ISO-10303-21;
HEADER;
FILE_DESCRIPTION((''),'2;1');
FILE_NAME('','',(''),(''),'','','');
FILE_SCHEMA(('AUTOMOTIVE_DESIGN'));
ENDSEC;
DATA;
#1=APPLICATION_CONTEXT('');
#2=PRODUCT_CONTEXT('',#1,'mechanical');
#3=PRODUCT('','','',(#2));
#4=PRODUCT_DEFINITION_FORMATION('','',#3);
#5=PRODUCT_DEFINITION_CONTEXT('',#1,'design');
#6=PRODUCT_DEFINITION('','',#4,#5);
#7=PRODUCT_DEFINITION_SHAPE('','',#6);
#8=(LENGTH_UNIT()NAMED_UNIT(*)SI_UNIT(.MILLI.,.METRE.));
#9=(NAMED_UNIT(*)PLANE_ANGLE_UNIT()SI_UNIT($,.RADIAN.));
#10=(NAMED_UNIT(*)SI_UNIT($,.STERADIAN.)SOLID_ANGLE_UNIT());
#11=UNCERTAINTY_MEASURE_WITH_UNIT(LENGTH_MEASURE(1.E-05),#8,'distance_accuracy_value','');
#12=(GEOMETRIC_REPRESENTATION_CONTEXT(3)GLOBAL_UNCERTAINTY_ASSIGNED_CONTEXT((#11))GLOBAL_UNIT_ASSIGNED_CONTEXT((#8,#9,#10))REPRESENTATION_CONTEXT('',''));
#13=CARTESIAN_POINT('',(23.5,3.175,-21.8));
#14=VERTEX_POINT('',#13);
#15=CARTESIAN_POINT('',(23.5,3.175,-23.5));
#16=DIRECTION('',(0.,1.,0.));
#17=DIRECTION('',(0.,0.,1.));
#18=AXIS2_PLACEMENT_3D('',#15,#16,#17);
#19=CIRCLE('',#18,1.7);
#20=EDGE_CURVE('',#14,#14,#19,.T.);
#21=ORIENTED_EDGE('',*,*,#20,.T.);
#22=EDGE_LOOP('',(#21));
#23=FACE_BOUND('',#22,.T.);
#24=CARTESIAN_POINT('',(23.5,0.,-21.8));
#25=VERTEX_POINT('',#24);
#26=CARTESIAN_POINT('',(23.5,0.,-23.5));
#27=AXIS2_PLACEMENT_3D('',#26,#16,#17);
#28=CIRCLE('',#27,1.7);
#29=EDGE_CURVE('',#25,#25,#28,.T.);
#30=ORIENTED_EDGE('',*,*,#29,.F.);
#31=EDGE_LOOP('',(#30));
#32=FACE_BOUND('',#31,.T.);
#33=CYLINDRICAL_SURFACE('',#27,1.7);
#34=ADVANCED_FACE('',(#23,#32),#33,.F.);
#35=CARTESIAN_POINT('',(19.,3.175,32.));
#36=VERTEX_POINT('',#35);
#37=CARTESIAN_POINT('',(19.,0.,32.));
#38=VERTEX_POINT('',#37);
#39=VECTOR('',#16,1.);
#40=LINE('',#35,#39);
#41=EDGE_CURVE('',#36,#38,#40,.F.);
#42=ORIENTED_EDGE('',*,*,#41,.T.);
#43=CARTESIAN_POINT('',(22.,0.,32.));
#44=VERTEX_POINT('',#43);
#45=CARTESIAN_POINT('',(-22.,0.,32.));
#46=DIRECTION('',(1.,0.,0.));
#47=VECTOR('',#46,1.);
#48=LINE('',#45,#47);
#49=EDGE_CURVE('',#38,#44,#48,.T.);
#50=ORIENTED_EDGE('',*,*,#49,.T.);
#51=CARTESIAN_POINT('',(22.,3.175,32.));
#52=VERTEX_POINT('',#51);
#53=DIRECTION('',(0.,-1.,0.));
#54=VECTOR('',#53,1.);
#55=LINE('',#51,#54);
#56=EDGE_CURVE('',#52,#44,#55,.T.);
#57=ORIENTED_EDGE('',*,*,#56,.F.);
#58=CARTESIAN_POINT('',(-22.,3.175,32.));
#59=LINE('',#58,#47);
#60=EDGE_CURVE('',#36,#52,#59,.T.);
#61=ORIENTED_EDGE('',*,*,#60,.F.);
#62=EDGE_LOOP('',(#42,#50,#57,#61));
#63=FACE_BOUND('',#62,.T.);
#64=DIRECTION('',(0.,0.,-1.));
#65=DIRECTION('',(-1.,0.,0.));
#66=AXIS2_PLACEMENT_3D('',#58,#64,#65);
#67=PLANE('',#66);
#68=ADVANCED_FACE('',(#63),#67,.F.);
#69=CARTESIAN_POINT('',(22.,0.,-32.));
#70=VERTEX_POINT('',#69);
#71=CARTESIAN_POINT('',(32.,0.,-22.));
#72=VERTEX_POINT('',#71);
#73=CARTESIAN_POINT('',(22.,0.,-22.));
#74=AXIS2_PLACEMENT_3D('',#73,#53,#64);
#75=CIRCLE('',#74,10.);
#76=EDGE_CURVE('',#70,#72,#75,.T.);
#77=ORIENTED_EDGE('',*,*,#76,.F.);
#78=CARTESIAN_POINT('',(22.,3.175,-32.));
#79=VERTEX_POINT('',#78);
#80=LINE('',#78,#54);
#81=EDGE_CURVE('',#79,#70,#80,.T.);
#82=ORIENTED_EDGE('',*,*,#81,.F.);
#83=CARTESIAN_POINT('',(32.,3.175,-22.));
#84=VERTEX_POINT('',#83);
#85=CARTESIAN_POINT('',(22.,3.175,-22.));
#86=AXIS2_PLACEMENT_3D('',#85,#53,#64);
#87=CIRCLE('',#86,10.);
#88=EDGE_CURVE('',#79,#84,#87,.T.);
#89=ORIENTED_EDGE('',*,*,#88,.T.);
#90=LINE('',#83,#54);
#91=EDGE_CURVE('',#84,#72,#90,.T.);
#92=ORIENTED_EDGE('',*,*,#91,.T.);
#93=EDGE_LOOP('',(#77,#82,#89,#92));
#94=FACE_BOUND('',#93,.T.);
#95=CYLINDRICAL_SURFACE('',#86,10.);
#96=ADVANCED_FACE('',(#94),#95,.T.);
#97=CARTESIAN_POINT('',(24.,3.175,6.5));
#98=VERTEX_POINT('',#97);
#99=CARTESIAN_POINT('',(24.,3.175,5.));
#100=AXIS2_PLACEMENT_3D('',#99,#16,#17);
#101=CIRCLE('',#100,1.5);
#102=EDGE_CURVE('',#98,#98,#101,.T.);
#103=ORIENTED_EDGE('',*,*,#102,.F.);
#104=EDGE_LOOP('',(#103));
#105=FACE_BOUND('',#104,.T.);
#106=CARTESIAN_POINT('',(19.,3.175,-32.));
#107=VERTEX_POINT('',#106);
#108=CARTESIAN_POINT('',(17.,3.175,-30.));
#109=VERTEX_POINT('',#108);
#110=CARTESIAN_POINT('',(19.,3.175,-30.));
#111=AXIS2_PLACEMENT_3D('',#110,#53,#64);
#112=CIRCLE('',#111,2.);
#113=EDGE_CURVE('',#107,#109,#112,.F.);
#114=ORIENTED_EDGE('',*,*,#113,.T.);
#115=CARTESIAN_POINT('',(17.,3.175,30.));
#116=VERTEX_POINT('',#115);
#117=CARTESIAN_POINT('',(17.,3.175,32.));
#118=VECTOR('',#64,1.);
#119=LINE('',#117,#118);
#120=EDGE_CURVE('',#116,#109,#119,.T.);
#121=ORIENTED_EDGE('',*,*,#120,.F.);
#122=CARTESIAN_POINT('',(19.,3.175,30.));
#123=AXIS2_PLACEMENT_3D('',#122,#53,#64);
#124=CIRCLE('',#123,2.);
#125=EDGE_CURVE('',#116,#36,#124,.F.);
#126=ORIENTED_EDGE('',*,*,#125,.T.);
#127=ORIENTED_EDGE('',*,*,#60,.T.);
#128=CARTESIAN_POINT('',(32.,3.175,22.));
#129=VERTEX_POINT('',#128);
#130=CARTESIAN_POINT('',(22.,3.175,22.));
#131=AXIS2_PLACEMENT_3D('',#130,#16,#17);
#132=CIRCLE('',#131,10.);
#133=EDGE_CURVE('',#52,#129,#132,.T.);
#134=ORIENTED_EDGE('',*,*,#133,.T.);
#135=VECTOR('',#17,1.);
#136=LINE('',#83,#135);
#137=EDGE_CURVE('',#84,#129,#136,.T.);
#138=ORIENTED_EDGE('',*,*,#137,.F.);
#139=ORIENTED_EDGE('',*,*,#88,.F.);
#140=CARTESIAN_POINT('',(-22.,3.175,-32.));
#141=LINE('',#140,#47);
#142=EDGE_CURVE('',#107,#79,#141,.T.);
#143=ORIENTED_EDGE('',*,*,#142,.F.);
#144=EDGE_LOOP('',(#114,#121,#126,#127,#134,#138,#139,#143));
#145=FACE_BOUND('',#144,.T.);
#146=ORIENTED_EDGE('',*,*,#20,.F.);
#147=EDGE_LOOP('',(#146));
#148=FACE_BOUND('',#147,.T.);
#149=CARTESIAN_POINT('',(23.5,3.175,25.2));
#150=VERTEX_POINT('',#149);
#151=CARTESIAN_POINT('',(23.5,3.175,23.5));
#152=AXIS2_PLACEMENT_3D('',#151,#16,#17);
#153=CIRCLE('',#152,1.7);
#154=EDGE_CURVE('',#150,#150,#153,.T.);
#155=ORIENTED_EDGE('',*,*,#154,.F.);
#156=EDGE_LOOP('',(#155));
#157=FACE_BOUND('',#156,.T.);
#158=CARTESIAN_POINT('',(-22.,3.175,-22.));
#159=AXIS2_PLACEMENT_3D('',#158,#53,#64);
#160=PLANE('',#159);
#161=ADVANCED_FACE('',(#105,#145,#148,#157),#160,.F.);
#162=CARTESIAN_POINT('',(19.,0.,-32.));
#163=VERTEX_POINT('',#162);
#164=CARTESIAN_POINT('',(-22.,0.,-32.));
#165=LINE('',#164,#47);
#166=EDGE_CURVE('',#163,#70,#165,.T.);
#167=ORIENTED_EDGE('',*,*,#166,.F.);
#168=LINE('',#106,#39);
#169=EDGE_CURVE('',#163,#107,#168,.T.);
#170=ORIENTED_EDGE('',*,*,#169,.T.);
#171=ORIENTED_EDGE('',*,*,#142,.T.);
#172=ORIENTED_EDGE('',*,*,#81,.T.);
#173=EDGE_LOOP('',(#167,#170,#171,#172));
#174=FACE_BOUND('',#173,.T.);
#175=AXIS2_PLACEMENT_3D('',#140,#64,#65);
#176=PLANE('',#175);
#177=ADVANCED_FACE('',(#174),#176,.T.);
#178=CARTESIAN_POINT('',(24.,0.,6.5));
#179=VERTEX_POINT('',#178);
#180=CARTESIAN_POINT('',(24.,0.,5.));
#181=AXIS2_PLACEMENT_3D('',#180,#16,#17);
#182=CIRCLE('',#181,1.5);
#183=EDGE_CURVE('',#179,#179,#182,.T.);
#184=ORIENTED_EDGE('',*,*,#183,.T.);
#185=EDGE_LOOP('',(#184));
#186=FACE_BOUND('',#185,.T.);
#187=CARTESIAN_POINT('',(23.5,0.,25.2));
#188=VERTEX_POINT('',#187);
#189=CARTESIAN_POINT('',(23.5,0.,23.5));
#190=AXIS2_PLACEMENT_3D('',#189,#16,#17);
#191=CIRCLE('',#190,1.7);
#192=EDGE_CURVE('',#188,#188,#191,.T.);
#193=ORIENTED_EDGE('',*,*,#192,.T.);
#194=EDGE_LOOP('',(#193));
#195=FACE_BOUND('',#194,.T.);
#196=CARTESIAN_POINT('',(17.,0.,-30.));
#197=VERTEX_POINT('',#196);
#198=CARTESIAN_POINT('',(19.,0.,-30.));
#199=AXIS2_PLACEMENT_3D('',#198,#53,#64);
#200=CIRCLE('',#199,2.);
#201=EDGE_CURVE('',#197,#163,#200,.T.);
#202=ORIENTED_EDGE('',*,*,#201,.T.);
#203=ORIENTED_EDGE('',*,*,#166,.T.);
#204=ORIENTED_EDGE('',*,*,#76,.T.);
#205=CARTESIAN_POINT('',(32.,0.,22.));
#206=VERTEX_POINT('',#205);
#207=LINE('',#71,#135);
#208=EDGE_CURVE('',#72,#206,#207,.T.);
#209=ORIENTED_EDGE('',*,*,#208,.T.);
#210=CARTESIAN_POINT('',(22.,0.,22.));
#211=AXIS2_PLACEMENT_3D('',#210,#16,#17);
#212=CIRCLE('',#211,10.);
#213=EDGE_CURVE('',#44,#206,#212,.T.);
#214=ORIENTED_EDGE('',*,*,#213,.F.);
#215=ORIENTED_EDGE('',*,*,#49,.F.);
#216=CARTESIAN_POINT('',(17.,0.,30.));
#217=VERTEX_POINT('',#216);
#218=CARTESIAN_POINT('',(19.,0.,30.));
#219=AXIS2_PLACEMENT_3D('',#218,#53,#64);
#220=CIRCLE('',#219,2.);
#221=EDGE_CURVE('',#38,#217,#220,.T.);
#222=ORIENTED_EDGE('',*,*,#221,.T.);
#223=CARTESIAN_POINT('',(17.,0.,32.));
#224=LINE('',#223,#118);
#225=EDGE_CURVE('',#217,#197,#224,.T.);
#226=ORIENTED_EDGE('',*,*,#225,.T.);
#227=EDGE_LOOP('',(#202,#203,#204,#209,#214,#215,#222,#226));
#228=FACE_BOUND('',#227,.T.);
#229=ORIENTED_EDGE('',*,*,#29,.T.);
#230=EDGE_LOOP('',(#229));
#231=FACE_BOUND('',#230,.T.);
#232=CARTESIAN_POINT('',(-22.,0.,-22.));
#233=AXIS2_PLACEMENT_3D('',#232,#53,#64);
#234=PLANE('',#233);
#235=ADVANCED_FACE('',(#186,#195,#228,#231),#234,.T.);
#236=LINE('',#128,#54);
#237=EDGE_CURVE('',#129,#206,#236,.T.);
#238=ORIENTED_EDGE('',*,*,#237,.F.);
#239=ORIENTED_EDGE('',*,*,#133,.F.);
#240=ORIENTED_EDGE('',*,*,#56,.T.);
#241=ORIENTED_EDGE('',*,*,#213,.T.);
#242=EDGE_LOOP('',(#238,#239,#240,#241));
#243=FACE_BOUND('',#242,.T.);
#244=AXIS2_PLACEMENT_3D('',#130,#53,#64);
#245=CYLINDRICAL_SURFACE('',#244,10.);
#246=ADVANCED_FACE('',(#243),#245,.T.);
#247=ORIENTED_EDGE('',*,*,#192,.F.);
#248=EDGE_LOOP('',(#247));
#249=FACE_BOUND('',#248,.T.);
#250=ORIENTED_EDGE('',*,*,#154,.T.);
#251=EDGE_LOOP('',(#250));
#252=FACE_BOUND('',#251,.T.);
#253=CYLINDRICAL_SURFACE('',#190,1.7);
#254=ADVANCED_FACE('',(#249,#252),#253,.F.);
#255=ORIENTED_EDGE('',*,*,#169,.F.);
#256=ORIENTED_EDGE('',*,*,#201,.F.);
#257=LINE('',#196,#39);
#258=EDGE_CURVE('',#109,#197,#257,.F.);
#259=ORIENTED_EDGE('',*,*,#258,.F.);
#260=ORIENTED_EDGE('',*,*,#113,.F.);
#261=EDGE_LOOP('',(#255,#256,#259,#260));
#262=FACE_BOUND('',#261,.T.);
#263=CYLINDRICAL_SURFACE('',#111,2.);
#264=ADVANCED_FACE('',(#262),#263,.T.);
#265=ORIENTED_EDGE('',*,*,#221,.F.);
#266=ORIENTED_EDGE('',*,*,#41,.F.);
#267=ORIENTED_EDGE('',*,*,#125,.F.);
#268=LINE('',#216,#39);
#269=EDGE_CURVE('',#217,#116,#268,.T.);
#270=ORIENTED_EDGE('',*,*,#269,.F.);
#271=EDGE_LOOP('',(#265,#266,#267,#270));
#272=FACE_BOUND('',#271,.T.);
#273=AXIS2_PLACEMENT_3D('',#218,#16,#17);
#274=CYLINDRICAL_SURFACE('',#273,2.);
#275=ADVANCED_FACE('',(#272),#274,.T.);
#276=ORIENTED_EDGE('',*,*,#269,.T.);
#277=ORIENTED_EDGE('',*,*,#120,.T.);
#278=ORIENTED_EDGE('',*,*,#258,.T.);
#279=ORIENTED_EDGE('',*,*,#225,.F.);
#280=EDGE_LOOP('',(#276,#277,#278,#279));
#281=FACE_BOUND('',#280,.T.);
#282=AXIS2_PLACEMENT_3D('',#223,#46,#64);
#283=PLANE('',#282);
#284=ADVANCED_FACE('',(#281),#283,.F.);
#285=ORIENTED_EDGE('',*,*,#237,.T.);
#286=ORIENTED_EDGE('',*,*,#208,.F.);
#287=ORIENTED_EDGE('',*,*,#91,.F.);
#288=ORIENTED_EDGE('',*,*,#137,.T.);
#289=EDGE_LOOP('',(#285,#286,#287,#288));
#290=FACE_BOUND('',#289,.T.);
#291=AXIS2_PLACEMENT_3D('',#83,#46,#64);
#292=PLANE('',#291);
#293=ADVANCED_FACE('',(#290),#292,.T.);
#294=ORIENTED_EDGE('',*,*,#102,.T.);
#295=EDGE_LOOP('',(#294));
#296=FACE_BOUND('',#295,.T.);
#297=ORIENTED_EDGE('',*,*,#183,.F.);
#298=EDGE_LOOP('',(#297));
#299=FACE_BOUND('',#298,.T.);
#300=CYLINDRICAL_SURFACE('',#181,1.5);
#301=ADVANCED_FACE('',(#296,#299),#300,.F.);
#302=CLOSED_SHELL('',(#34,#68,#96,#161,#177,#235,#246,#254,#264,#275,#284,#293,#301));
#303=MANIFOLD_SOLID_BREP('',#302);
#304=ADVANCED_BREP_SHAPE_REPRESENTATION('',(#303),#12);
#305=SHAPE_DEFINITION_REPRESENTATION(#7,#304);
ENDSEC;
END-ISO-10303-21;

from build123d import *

# Parameters (mm, degrees)
BOSS_EXTRUDE2_DEPTH = 3.175
SKETCH3_R           = 1.7
CUT_EXTRUDE2_DEPTH  = 3.175
SKETCH4_R           = 1.5
CUT_EXTRUDE3_DEPTH  = 3.175
SKETCH5_W           = 61.765088801
SKETCH5_H           = 64
CUT_EXTRUDE4_DEPTH  = 3.175
FILLET1_R           = 2


with BuildPart() as part:
    # Sketch1 → Boss-Extrude2 (new body)
    with BuildSketch(Plane(origin=(0, 0, 0), x_dir=(1, 0, 0), z_dir=(0, 1, 0))):
        with BuildLine():
            Line((-22, 32), (22, 32))
            ThreePointArc((22, 32), (29.071067812, 29.071067812), (32, 22))
            Line((32, 22), (32, -22))
            ThreePointArc((32, -22), (29.071067812, -29.071067812), (22, -32))
            Line((22, -32), (-22, -32))
            ThreePointArc((-22, -32), (-29.071067812, -29.071067812), (-32, -22))
            Line((-32, -22), (-32, 22))
            ThreePointArc((-32, 22), (-29.071067812, 29.071067812), (-22, 32))
        make_face()
    extrude(amount=BOSS_EXTRUDE2_DEPTH)

    # Sketch3 → Cut-Extrude2 (cut)
    with BuildSketch(Plane(origin=(0, 3.175, 0), x_dir=(1, 0, 0), z_dir=(0, 1, 0))):
        with Locations((-23.5, 23.5)):
            Circle(SKETCH3_R)
        with Locations((23.5, 23.5)):
            Circle(SKETCH3_R)
        with Locations((23.5, -23.5)):
            Circle(SKETCH3_R)
        with Locations((-23.5, -23.5)):
            Circle(SKETCH3_R)
    extrude(amount=-CUT_EXTRUDE2_DEPTH, mode=Mode.SUBTRACT)

    # Sketch4 → Cut-Extrude3 (cut)
    with BuildSketch(Plane(origin=(0, 3.175, 0), x_dir=(1, 0, 0), z_dir=(0, 1, 0))):
        with Locations((24, -5)):
            Circle(SKETCH4_R)
        with Locations((-24, -5)):
            Circle(SKETCH4_R)
    extrude(amount=-CUT_EXTRUDE3_DEPTH, mode=Mode.SUBTRACT)

    # Sketch5 → Cut-Extrude4 (cut)
    with BuildSketch(Plane(origin=(0, 3.175, 0), x_dir=(1, 0, 0), z_dir=(0, 1, 0))):
        with Locations((-13.882544401, 0)):
            Rectangle(SKETCH5_W, SKETCH5_H)
    extrude(amount=-CUT_EXTRUDE4_DEPTH, mode=Mode.SUBTRACT)

    # Fillet1
    fillet1_edges = [part.edges().sort_by_distance(p)[0] for p in [
        (17, 1.5875, 32),
        (17, 1.5875, -32),
    ]]
    fillet(fillet1_edges, radius=FILLET1_R)


solid = part.part
